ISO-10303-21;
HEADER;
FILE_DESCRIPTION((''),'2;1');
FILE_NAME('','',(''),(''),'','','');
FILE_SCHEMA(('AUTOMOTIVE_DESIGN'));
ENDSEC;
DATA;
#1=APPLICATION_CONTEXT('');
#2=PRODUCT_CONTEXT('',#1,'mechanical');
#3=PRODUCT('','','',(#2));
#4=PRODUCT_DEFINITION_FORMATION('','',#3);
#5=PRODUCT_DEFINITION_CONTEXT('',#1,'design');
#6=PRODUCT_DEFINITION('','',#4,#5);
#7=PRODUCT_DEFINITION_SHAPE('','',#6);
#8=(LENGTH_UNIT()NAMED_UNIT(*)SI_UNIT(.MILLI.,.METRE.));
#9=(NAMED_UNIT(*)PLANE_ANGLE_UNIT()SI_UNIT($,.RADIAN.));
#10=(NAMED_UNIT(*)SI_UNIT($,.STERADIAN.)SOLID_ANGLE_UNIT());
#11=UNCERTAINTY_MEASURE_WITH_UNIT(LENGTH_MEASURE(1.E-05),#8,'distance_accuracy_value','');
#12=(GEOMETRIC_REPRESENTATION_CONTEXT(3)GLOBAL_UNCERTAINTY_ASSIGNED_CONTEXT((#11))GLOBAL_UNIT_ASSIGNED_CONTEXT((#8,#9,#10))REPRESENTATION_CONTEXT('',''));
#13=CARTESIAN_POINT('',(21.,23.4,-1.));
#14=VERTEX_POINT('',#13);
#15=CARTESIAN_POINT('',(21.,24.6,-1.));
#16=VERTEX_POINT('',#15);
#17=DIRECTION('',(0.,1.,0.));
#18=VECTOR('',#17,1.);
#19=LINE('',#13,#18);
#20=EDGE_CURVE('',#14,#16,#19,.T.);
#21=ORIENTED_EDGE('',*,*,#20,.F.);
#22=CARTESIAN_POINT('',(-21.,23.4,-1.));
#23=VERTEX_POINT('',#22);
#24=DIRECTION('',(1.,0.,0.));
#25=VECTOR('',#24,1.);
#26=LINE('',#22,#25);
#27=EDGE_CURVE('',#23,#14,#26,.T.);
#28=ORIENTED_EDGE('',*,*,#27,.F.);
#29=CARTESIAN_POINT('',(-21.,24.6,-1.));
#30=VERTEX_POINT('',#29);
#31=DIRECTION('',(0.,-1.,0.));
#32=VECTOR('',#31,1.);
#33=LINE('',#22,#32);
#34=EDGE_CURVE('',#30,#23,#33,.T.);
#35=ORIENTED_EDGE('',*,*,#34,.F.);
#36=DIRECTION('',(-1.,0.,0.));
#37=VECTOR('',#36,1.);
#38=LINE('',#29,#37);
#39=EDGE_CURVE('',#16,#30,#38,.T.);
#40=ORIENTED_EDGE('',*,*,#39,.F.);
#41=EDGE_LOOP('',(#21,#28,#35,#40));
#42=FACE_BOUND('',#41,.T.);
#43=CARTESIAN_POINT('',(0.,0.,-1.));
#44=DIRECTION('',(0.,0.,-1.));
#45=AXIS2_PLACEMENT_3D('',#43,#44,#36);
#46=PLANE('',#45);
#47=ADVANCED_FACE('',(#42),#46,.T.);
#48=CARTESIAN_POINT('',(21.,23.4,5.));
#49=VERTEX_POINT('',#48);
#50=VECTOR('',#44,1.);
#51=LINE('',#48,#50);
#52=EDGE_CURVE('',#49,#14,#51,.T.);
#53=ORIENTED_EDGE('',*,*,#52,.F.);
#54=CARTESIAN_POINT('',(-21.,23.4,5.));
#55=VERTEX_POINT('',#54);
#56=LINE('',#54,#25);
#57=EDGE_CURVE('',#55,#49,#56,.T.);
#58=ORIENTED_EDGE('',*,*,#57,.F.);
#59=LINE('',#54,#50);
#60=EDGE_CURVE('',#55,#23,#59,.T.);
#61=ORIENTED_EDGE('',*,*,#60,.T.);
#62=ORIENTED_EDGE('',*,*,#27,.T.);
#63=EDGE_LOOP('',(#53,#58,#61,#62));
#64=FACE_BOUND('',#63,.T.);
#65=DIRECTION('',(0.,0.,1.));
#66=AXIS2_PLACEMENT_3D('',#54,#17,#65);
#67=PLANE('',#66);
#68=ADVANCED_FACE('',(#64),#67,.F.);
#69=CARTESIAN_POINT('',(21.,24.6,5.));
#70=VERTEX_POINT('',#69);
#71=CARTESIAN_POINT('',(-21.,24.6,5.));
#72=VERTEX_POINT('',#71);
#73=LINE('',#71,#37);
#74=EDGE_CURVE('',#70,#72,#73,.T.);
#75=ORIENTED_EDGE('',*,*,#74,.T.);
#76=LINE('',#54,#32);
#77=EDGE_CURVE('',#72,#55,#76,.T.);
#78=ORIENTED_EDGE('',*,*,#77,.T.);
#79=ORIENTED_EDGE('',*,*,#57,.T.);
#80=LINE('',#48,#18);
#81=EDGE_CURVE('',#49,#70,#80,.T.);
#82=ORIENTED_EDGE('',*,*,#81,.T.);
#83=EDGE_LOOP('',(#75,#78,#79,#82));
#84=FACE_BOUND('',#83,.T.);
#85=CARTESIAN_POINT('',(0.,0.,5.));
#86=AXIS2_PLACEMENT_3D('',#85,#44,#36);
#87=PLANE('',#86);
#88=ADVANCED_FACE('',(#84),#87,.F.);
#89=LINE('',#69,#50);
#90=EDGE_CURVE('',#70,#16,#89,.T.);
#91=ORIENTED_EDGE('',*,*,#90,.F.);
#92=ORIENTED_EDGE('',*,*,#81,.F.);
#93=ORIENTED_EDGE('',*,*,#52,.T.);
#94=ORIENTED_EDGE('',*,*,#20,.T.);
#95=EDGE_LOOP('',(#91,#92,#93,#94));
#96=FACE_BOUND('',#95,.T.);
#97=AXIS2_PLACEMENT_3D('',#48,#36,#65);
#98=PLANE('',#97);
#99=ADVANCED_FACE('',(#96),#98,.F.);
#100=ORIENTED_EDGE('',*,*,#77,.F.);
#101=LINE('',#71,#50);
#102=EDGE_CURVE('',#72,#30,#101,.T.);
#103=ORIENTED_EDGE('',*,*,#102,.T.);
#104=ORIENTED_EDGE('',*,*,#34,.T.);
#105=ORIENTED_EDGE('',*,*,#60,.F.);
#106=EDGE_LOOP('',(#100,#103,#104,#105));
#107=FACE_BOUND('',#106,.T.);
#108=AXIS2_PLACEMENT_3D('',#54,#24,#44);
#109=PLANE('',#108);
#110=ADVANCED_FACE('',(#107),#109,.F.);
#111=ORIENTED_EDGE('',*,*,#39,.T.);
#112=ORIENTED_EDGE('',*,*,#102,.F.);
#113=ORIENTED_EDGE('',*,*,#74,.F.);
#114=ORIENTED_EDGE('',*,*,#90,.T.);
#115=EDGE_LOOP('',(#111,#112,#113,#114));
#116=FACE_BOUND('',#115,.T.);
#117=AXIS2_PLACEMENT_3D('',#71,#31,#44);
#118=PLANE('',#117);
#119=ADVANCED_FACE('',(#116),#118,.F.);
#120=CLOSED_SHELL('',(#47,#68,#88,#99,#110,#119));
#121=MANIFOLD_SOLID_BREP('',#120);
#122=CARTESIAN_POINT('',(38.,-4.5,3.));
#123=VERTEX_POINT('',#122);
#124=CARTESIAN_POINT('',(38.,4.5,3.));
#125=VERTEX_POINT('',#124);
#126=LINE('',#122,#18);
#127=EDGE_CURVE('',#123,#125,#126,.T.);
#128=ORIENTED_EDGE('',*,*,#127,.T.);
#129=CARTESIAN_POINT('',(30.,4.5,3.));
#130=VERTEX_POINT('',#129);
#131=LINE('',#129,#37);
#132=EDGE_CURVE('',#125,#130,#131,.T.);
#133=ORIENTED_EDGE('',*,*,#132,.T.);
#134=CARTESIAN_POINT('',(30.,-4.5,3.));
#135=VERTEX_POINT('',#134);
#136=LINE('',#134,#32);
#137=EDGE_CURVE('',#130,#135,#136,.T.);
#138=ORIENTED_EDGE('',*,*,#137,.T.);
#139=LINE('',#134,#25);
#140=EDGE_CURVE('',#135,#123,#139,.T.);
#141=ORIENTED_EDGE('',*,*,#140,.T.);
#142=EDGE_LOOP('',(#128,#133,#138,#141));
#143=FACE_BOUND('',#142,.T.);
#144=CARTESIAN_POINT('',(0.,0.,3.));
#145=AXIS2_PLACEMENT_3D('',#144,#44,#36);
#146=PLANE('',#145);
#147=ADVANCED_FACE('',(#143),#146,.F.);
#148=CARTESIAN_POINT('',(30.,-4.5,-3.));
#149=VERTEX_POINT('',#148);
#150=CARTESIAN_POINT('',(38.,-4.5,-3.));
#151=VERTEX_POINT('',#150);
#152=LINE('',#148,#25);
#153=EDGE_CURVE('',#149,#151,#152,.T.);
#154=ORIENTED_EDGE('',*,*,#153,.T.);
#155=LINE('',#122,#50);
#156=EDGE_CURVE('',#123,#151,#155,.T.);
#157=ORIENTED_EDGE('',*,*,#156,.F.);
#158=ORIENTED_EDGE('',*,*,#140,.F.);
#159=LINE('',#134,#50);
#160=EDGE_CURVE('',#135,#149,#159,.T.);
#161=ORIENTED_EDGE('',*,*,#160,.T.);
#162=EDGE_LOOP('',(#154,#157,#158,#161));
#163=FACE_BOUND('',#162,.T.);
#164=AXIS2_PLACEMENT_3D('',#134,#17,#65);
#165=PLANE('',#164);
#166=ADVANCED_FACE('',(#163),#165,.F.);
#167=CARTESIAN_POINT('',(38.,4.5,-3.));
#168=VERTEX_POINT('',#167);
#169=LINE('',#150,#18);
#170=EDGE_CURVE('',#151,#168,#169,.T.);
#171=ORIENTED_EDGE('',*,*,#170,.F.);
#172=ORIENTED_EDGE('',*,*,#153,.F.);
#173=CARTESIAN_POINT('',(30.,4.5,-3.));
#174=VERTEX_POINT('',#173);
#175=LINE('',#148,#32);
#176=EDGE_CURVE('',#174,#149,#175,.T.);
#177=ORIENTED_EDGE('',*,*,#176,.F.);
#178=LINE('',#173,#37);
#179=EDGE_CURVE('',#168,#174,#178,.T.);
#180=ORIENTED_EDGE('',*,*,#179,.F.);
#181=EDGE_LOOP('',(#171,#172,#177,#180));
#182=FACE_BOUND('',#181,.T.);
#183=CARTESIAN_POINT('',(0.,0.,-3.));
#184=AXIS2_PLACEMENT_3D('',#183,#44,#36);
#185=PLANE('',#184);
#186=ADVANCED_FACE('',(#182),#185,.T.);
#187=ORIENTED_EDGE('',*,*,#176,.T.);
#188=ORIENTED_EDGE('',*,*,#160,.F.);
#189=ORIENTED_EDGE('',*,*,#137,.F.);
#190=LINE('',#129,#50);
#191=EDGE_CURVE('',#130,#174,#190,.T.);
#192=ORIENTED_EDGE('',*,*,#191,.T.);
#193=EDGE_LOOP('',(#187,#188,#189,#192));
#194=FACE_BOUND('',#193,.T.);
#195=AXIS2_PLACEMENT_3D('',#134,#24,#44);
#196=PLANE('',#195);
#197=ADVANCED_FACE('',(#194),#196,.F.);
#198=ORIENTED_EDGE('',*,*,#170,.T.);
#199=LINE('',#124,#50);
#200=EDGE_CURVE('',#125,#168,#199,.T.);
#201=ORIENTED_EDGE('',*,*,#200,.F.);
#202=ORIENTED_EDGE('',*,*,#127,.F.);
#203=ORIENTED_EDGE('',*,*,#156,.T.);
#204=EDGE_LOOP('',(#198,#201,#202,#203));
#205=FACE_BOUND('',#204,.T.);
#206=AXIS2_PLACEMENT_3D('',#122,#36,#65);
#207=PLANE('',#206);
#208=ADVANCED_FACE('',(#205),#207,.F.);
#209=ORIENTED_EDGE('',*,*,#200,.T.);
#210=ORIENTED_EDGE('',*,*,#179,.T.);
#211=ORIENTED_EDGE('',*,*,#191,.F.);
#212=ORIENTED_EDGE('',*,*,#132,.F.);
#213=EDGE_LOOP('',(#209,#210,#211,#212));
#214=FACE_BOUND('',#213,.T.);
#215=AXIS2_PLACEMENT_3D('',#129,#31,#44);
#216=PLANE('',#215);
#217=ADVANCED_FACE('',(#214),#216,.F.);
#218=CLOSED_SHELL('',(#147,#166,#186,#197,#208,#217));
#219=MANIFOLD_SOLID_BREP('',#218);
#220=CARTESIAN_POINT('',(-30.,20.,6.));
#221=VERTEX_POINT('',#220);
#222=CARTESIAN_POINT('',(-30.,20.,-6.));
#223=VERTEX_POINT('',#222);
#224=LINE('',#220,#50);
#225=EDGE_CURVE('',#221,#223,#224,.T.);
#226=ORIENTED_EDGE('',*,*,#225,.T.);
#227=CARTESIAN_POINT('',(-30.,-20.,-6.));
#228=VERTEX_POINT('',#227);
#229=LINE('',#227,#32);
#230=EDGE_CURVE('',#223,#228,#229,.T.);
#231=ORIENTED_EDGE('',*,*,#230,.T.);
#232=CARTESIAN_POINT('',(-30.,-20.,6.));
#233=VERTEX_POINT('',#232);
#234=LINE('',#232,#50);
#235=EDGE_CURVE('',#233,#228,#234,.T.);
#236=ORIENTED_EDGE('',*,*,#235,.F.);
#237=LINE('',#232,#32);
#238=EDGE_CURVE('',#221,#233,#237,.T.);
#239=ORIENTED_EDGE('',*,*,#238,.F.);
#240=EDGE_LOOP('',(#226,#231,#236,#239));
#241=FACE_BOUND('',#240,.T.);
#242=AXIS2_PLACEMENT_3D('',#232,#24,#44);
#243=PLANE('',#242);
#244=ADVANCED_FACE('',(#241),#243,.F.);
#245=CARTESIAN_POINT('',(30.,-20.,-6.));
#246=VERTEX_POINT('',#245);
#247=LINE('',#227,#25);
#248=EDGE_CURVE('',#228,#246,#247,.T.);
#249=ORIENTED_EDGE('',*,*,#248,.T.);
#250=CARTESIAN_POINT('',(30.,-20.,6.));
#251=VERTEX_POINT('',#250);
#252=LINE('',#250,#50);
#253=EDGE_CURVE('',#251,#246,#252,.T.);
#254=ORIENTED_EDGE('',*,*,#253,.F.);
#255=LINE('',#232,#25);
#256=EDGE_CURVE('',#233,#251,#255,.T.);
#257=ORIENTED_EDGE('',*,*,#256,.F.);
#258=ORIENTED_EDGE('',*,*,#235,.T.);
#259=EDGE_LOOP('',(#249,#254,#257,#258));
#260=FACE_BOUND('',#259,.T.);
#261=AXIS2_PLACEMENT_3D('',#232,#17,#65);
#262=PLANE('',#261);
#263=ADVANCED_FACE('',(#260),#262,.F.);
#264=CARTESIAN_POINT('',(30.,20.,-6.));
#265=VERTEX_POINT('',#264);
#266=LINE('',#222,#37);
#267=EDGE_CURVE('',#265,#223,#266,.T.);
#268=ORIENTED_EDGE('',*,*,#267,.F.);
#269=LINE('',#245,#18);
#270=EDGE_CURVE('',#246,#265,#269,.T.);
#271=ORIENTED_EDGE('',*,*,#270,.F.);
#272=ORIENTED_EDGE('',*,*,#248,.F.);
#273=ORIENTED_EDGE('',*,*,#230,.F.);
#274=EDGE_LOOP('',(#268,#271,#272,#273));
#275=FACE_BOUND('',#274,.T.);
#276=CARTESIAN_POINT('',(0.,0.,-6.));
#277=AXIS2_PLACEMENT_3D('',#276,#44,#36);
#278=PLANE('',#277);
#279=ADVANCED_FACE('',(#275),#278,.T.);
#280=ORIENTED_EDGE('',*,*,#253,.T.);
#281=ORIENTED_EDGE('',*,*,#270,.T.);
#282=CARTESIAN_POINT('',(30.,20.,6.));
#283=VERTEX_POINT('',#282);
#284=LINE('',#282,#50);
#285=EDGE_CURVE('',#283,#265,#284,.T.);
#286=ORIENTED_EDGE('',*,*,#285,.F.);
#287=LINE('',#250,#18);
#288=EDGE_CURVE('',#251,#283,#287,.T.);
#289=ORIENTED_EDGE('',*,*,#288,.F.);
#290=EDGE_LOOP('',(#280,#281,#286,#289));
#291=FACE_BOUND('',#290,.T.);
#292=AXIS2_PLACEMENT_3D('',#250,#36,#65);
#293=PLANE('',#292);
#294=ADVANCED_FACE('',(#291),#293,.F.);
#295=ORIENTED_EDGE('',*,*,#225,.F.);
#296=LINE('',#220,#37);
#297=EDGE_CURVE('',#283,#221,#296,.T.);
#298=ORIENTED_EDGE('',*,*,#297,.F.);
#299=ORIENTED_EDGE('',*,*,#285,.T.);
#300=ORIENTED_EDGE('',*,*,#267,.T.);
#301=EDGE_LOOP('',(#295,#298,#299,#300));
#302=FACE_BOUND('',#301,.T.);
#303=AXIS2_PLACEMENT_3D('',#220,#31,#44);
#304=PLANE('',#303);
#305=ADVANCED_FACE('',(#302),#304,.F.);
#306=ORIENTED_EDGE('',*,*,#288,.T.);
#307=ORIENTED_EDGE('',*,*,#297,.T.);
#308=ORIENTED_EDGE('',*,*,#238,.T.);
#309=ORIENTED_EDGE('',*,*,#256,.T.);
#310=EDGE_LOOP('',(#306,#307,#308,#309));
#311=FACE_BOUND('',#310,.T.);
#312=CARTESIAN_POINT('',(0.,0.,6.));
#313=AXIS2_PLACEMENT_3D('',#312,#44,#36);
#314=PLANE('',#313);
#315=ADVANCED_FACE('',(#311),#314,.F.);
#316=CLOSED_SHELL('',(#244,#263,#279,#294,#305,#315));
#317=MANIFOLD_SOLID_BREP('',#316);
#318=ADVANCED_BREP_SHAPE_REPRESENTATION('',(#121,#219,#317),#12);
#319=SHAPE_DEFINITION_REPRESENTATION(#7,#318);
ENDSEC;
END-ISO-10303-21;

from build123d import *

# Parameters (mm, degrees)
F_5V_START                                  = -6
SKETCH_1_W                                  = 60
SKETCH_1_H                                  = 40
F_5V_BATTERY_POWER_BANK_ENVELOPE_60_X_DEPTH = 12
USB_START                                   = -3
SKETCH_2_W                                  = 8
SKETCH_2_H                                  = 9
USB_POWER_CABLE_CLEARANCE_MARKER_DEPTH      = 6
POWER_START                                 = -1
SKETCH_3_W                                  = 42
SKETCH_3_H                                  = 1.2
POWER_LABEL_PLATE_5V_POWER_DEPTH            = 6


with BuildPart() as part:
    # 草图1 → 5V battery / power bank envelope - 60 x 40 x 12 mm (new body)
    with BuildSketch(Plane.XY.offset(F_5V_START)):
        Rectangle(SKETCH_1_W, SKETCH_1_H)
    extrude(amount=F_5V_BATTERY_POWER_BANK_ENVELOPE_60_X_DEPTH)


with BuildPart() as body_2:
    # 草图2 → USB power cable clearance marker (new body)
    with BuildSketch(Plane.XY.offset(USB_START)):
        with Locations((34, 0)):
            Rectangle(SKETCH_2_W, SKETCH_2_H)
    extrude(amount=USB_POWER_CABLE_CLEARANCE_MARKER_DEPTH)


with BuildPart() as body_3:
    # 草图3 → power label plate - 5V POWER (new body)
    with BuildSketch(Plane.XY.offset(POWER_START)):
        with Locations((0, 24)):
            Rectangle(SKETCH_3_W, SKETCH_3_H)
    extrude(amount=POWER_LABEL_PLATE_5V_POWER_DEPTH)


solid = Compound([part.part, body_2.part, body_3.part])
